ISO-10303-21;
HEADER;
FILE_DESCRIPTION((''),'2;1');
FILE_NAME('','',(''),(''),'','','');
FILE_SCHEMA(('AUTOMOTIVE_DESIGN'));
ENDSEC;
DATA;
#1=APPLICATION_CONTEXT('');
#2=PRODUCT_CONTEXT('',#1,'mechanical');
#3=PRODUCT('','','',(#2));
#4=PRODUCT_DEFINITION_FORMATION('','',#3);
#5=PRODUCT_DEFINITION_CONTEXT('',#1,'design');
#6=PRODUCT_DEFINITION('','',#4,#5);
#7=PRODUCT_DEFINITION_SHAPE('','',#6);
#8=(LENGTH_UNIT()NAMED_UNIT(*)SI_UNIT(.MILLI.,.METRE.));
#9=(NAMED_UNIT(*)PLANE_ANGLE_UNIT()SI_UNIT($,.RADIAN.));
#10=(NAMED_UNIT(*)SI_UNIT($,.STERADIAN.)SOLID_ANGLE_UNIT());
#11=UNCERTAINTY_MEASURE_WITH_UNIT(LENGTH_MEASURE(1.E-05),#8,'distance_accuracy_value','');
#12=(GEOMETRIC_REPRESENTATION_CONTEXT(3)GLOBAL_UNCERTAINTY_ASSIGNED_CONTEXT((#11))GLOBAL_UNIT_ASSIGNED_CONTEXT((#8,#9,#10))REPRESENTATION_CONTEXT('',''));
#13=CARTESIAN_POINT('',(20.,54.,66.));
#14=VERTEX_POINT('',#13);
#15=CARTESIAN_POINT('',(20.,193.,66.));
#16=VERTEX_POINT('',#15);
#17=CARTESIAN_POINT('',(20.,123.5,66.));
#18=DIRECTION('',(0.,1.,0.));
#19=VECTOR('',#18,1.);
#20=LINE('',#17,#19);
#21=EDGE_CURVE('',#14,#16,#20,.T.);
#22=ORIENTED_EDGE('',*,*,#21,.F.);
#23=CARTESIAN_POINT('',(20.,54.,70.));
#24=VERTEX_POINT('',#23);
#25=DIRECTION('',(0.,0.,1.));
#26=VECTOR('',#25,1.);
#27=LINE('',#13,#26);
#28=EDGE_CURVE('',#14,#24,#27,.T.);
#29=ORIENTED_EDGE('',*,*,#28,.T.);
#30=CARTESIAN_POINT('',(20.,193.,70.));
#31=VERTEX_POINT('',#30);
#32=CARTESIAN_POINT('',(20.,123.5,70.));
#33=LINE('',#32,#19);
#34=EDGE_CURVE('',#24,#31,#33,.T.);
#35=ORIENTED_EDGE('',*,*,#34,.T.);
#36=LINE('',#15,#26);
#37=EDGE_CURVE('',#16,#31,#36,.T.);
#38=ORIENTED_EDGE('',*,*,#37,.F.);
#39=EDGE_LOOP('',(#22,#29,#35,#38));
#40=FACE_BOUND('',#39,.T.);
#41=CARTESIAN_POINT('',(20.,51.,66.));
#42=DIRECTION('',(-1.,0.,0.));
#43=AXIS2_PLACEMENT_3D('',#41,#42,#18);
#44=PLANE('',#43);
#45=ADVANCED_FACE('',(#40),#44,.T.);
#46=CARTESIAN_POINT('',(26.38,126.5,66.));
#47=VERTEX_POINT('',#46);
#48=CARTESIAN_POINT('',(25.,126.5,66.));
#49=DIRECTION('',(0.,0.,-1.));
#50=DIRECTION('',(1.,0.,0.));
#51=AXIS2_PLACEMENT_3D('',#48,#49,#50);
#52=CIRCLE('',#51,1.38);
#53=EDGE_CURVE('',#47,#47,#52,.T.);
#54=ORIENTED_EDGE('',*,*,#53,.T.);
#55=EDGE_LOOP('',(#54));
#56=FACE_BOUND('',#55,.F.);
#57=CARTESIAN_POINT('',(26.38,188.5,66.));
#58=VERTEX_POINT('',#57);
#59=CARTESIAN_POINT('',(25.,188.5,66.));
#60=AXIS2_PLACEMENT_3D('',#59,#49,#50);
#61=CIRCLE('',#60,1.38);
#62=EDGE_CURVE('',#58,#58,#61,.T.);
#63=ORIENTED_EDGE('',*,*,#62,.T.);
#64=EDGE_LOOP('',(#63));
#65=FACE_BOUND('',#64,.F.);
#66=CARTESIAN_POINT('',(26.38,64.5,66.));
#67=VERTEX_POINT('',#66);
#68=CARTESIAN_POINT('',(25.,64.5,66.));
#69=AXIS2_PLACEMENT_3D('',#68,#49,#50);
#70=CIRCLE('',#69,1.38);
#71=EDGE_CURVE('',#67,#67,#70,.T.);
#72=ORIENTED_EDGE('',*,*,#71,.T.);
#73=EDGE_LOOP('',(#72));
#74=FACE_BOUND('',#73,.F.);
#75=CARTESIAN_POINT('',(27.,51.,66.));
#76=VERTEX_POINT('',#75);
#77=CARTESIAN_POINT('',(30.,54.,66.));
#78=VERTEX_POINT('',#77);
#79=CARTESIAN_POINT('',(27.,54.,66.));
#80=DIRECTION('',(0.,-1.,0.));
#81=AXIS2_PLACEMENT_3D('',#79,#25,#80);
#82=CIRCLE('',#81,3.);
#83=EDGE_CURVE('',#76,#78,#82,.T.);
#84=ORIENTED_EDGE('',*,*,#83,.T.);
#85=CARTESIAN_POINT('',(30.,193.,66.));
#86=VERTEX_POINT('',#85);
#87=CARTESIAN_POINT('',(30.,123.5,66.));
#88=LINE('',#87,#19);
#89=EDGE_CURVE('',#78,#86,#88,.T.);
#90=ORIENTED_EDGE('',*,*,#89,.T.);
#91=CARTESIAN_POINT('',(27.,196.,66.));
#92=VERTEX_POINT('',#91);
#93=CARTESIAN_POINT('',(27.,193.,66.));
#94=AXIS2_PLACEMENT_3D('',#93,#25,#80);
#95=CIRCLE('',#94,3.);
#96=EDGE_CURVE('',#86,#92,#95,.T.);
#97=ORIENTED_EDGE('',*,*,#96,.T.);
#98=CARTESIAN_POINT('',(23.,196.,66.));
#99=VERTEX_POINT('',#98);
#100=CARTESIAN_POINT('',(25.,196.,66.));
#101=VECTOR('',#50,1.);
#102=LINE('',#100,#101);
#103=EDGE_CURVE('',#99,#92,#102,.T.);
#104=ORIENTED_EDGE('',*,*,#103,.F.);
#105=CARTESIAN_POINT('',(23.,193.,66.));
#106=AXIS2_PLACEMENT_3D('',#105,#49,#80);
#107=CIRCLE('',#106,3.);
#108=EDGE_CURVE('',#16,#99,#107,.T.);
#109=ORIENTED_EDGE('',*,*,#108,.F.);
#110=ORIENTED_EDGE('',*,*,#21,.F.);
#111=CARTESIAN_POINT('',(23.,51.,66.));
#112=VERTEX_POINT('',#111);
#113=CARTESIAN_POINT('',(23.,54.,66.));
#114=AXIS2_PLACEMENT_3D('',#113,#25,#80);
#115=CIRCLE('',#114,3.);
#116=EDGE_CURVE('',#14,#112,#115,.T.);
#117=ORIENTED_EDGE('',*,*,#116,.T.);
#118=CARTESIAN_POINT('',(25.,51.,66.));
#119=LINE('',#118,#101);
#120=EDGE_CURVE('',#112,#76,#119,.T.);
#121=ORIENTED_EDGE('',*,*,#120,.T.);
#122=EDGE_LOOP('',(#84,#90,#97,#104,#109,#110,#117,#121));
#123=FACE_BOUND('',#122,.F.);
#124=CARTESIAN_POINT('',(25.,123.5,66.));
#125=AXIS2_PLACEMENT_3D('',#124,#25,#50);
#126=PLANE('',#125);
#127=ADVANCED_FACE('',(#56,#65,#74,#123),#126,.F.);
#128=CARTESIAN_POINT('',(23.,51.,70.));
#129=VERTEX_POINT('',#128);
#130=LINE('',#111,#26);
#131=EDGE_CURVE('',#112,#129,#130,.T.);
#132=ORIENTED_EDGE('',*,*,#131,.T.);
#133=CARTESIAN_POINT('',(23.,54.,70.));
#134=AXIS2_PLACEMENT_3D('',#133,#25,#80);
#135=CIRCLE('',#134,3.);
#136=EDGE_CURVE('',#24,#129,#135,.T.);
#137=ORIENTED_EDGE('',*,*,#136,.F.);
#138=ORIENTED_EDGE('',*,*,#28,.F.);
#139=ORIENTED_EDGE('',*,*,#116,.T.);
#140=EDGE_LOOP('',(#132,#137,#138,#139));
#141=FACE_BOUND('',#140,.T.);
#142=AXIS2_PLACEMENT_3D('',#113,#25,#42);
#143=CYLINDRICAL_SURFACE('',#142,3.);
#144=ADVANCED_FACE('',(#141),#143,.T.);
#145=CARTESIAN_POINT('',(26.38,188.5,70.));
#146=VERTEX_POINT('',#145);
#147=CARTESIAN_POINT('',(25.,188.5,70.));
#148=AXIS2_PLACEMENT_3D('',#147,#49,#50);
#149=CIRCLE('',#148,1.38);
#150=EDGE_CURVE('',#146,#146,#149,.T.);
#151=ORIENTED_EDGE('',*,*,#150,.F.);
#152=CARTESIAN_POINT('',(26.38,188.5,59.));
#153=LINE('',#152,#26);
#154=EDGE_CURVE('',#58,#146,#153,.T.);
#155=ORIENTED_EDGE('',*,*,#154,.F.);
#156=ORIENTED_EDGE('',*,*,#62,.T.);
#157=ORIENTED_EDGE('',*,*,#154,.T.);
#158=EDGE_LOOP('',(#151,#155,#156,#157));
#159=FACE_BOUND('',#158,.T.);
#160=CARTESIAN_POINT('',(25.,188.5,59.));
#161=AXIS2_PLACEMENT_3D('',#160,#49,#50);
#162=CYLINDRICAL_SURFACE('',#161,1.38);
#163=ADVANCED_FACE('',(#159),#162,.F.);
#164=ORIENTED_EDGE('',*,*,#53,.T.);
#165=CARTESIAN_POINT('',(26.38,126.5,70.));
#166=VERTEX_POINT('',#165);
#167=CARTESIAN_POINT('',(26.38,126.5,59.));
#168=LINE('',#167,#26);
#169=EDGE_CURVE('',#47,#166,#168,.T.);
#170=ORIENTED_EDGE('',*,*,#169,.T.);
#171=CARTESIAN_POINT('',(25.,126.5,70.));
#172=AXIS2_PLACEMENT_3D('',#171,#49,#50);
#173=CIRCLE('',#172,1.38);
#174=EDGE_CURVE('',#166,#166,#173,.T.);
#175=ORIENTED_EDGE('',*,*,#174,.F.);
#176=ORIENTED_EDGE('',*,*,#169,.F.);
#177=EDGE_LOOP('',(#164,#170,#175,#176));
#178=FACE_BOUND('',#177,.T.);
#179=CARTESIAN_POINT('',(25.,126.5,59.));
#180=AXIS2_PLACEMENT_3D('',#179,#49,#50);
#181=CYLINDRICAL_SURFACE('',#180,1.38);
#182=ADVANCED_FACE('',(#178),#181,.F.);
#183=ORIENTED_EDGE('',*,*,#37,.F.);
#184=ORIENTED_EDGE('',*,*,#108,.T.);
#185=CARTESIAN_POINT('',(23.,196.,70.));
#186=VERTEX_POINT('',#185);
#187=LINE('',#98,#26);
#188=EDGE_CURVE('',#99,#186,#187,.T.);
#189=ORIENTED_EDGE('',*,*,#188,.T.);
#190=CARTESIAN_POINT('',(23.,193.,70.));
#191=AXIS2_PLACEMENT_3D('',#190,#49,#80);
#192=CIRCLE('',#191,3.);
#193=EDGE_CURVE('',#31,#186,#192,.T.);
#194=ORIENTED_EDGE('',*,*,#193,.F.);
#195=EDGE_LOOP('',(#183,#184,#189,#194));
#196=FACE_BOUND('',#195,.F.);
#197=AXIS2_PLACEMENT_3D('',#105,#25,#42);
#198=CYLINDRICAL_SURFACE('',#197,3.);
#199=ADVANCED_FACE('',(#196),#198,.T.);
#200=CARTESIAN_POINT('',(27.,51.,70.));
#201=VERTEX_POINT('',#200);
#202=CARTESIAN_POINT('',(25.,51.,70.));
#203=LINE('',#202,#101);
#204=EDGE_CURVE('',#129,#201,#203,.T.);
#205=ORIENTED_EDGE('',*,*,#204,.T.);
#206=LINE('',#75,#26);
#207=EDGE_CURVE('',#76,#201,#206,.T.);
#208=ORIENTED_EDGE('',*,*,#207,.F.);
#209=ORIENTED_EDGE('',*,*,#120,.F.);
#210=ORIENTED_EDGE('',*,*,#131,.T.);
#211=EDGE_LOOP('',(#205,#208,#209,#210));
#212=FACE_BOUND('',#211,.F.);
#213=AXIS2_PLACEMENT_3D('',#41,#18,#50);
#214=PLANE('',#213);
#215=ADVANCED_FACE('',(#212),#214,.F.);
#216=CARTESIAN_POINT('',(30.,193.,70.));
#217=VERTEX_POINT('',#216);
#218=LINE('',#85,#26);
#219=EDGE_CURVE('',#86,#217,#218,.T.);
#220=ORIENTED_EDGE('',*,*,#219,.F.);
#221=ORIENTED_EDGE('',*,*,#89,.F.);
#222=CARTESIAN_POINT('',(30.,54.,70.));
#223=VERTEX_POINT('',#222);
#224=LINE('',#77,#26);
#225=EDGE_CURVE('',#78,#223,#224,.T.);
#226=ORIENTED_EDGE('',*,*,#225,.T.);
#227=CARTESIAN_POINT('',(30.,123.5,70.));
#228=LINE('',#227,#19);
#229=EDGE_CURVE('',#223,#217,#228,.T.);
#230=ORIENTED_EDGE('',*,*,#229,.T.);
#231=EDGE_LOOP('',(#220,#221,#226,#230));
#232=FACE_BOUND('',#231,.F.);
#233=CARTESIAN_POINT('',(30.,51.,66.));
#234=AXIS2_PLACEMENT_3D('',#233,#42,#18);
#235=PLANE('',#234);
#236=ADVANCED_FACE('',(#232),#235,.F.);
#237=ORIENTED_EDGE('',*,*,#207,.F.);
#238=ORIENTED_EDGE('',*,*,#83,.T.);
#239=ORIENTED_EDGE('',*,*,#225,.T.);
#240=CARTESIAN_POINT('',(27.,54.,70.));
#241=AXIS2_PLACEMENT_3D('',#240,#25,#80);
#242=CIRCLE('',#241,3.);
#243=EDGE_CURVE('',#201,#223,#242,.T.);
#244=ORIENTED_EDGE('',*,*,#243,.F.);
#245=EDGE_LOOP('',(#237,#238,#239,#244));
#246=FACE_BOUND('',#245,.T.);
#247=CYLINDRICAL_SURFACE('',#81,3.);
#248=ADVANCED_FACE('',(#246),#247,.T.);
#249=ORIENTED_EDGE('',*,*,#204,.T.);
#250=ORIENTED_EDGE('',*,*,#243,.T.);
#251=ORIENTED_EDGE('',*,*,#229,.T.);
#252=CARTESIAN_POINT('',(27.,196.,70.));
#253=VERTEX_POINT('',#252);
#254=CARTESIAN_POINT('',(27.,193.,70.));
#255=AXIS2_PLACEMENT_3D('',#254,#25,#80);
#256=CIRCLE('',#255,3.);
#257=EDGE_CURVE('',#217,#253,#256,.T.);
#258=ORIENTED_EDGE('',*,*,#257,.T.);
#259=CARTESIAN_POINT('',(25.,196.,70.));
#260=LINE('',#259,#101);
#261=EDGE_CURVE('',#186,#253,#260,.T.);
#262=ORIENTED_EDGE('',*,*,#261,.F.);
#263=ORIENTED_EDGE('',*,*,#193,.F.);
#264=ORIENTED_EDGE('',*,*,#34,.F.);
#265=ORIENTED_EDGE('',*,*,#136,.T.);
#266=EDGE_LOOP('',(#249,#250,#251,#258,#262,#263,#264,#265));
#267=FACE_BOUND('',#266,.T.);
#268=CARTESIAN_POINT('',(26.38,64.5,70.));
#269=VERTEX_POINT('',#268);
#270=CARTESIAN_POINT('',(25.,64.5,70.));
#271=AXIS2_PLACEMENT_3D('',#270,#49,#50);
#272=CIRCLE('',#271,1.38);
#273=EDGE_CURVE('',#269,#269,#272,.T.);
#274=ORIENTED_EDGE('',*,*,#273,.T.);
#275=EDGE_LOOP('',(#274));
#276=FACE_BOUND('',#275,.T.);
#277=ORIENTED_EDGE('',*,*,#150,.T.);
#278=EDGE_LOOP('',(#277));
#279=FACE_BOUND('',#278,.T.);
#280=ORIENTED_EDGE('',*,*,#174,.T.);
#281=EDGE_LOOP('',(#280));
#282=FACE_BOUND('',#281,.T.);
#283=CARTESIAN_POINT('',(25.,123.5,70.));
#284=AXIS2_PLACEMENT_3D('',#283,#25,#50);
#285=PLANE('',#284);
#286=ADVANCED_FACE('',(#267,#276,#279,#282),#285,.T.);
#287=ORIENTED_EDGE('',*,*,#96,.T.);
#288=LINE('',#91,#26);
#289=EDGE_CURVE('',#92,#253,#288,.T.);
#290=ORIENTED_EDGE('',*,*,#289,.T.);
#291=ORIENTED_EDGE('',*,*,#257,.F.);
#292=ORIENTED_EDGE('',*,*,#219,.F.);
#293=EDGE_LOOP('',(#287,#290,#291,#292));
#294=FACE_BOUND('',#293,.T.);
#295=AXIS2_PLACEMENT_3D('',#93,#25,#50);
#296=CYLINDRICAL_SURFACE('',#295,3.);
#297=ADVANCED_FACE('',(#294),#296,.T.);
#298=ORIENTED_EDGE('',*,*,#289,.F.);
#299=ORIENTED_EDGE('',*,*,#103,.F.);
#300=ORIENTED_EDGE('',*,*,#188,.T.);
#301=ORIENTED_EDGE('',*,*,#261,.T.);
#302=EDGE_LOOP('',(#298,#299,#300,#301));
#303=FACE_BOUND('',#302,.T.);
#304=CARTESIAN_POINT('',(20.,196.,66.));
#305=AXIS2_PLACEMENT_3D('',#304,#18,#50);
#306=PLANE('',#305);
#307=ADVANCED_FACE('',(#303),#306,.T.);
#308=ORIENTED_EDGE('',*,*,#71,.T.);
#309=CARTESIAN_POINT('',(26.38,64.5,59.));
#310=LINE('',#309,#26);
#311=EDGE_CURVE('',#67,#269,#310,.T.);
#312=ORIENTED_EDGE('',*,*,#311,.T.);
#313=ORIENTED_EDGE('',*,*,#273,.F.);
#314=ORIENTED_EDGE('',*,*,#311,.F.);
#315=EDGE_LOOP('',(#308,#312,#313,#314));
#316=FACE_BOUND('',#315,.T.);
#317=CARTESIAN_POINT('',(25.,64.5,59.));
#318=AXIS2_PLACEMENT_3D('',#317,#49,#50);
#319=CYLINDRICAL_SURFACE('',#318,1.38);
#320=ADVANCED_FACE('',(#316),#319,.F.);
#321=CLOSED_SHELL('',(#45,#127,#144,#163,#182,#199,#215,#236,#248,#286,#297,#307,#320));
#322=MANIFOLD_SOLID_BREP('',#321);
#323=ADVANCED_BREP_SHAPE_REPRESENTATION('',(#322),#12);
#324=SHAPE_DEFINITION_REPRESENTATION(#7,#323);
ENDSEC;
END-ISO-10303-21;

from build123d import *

# Parameters (mm, degrees)
CYLINDER077_R     = 1.38
CYLINDER077_DEPTH = 13
CYLINDER076_R     = 1.38
CYLINDER076_DEPTH = 13
CYLINDER075_R     = 1.38
CYLINDER075_DEPTH = 13
BOX042_W          = 10
BOX042_H          = 145
BOX042_DEPTH      = 4
FILLET009_R       = 3


with BuildPart() as cylinder077:
    # Cylinder077 → Cylinder077 (new body)
    with BuildSketch(Plane(origin=(25, 188.5, 59), x_dir=(1, 0, 0), z_dir=(0, 0, 1))):
        Circle(CYLINDER077_R)
    extrude(amount=CYLINDER077_DEPTH)


with BuildPart() as cylinder076:
    # Cylinder076 → Cylinder076 (new body)
    with BuildSketch(Plane(origin=(25, 126.5, 59), x_dir=(1, 0, 0), z_dir=(0, 0, 1))):
        Circle(CYLINDER076_R)
    extrude(amount=CYLINDER076_DEPTH)


with BuildPart() as cylinder075:
    # Cylinder075 → Cylinder075 (new body)
    with BuildSketch(Plane(origin=(25, 64.5, 59), x_dir=(1, 0, 0), z_dir=(0, 0, 1))):
        Circle(CYLINDER075_R)
    extrude(amount=CYLINDER075_DEPTH)


with BuildPart() as uni_n_palancas_final_pos:
    # Box042 → Box042 (new body)
    with BuildSketch(Plane(origin=(20, 51, 66), x_dir=(1, 0, 0), z_dir=(0, 0, 1))):
        with Locations((5, 72.5)):
            Rectangle(BOX042_W, BOX042_H)
    extrude(amount=BOX042_DEPTH)

    # Fillet009
    fillet009_edges = [uni_n_palancas_final_pos.edges().sort_by_distance(p)[0] for p in [
        (20, 51, 68),
        (20, 196, 68),
        (30, 51, 68),
        (30, 196, 68),
    ]]
    fillet(fillet009_edges, radius=FILLET009_R)

    # Cut050: cut Cylinder075
    add(cylinder075.part, mode=Mode.SUBTRACT)

    # Cut051: cut Cylinder076
    add(cylinder076.part, mode=Mode.SUBTRACT)

    # Cut052: cut Cylinder077
    add(cylinder077.part, mode=Mode.SUBTRACT)


solid = uni_n_palancas_final_pos.part
